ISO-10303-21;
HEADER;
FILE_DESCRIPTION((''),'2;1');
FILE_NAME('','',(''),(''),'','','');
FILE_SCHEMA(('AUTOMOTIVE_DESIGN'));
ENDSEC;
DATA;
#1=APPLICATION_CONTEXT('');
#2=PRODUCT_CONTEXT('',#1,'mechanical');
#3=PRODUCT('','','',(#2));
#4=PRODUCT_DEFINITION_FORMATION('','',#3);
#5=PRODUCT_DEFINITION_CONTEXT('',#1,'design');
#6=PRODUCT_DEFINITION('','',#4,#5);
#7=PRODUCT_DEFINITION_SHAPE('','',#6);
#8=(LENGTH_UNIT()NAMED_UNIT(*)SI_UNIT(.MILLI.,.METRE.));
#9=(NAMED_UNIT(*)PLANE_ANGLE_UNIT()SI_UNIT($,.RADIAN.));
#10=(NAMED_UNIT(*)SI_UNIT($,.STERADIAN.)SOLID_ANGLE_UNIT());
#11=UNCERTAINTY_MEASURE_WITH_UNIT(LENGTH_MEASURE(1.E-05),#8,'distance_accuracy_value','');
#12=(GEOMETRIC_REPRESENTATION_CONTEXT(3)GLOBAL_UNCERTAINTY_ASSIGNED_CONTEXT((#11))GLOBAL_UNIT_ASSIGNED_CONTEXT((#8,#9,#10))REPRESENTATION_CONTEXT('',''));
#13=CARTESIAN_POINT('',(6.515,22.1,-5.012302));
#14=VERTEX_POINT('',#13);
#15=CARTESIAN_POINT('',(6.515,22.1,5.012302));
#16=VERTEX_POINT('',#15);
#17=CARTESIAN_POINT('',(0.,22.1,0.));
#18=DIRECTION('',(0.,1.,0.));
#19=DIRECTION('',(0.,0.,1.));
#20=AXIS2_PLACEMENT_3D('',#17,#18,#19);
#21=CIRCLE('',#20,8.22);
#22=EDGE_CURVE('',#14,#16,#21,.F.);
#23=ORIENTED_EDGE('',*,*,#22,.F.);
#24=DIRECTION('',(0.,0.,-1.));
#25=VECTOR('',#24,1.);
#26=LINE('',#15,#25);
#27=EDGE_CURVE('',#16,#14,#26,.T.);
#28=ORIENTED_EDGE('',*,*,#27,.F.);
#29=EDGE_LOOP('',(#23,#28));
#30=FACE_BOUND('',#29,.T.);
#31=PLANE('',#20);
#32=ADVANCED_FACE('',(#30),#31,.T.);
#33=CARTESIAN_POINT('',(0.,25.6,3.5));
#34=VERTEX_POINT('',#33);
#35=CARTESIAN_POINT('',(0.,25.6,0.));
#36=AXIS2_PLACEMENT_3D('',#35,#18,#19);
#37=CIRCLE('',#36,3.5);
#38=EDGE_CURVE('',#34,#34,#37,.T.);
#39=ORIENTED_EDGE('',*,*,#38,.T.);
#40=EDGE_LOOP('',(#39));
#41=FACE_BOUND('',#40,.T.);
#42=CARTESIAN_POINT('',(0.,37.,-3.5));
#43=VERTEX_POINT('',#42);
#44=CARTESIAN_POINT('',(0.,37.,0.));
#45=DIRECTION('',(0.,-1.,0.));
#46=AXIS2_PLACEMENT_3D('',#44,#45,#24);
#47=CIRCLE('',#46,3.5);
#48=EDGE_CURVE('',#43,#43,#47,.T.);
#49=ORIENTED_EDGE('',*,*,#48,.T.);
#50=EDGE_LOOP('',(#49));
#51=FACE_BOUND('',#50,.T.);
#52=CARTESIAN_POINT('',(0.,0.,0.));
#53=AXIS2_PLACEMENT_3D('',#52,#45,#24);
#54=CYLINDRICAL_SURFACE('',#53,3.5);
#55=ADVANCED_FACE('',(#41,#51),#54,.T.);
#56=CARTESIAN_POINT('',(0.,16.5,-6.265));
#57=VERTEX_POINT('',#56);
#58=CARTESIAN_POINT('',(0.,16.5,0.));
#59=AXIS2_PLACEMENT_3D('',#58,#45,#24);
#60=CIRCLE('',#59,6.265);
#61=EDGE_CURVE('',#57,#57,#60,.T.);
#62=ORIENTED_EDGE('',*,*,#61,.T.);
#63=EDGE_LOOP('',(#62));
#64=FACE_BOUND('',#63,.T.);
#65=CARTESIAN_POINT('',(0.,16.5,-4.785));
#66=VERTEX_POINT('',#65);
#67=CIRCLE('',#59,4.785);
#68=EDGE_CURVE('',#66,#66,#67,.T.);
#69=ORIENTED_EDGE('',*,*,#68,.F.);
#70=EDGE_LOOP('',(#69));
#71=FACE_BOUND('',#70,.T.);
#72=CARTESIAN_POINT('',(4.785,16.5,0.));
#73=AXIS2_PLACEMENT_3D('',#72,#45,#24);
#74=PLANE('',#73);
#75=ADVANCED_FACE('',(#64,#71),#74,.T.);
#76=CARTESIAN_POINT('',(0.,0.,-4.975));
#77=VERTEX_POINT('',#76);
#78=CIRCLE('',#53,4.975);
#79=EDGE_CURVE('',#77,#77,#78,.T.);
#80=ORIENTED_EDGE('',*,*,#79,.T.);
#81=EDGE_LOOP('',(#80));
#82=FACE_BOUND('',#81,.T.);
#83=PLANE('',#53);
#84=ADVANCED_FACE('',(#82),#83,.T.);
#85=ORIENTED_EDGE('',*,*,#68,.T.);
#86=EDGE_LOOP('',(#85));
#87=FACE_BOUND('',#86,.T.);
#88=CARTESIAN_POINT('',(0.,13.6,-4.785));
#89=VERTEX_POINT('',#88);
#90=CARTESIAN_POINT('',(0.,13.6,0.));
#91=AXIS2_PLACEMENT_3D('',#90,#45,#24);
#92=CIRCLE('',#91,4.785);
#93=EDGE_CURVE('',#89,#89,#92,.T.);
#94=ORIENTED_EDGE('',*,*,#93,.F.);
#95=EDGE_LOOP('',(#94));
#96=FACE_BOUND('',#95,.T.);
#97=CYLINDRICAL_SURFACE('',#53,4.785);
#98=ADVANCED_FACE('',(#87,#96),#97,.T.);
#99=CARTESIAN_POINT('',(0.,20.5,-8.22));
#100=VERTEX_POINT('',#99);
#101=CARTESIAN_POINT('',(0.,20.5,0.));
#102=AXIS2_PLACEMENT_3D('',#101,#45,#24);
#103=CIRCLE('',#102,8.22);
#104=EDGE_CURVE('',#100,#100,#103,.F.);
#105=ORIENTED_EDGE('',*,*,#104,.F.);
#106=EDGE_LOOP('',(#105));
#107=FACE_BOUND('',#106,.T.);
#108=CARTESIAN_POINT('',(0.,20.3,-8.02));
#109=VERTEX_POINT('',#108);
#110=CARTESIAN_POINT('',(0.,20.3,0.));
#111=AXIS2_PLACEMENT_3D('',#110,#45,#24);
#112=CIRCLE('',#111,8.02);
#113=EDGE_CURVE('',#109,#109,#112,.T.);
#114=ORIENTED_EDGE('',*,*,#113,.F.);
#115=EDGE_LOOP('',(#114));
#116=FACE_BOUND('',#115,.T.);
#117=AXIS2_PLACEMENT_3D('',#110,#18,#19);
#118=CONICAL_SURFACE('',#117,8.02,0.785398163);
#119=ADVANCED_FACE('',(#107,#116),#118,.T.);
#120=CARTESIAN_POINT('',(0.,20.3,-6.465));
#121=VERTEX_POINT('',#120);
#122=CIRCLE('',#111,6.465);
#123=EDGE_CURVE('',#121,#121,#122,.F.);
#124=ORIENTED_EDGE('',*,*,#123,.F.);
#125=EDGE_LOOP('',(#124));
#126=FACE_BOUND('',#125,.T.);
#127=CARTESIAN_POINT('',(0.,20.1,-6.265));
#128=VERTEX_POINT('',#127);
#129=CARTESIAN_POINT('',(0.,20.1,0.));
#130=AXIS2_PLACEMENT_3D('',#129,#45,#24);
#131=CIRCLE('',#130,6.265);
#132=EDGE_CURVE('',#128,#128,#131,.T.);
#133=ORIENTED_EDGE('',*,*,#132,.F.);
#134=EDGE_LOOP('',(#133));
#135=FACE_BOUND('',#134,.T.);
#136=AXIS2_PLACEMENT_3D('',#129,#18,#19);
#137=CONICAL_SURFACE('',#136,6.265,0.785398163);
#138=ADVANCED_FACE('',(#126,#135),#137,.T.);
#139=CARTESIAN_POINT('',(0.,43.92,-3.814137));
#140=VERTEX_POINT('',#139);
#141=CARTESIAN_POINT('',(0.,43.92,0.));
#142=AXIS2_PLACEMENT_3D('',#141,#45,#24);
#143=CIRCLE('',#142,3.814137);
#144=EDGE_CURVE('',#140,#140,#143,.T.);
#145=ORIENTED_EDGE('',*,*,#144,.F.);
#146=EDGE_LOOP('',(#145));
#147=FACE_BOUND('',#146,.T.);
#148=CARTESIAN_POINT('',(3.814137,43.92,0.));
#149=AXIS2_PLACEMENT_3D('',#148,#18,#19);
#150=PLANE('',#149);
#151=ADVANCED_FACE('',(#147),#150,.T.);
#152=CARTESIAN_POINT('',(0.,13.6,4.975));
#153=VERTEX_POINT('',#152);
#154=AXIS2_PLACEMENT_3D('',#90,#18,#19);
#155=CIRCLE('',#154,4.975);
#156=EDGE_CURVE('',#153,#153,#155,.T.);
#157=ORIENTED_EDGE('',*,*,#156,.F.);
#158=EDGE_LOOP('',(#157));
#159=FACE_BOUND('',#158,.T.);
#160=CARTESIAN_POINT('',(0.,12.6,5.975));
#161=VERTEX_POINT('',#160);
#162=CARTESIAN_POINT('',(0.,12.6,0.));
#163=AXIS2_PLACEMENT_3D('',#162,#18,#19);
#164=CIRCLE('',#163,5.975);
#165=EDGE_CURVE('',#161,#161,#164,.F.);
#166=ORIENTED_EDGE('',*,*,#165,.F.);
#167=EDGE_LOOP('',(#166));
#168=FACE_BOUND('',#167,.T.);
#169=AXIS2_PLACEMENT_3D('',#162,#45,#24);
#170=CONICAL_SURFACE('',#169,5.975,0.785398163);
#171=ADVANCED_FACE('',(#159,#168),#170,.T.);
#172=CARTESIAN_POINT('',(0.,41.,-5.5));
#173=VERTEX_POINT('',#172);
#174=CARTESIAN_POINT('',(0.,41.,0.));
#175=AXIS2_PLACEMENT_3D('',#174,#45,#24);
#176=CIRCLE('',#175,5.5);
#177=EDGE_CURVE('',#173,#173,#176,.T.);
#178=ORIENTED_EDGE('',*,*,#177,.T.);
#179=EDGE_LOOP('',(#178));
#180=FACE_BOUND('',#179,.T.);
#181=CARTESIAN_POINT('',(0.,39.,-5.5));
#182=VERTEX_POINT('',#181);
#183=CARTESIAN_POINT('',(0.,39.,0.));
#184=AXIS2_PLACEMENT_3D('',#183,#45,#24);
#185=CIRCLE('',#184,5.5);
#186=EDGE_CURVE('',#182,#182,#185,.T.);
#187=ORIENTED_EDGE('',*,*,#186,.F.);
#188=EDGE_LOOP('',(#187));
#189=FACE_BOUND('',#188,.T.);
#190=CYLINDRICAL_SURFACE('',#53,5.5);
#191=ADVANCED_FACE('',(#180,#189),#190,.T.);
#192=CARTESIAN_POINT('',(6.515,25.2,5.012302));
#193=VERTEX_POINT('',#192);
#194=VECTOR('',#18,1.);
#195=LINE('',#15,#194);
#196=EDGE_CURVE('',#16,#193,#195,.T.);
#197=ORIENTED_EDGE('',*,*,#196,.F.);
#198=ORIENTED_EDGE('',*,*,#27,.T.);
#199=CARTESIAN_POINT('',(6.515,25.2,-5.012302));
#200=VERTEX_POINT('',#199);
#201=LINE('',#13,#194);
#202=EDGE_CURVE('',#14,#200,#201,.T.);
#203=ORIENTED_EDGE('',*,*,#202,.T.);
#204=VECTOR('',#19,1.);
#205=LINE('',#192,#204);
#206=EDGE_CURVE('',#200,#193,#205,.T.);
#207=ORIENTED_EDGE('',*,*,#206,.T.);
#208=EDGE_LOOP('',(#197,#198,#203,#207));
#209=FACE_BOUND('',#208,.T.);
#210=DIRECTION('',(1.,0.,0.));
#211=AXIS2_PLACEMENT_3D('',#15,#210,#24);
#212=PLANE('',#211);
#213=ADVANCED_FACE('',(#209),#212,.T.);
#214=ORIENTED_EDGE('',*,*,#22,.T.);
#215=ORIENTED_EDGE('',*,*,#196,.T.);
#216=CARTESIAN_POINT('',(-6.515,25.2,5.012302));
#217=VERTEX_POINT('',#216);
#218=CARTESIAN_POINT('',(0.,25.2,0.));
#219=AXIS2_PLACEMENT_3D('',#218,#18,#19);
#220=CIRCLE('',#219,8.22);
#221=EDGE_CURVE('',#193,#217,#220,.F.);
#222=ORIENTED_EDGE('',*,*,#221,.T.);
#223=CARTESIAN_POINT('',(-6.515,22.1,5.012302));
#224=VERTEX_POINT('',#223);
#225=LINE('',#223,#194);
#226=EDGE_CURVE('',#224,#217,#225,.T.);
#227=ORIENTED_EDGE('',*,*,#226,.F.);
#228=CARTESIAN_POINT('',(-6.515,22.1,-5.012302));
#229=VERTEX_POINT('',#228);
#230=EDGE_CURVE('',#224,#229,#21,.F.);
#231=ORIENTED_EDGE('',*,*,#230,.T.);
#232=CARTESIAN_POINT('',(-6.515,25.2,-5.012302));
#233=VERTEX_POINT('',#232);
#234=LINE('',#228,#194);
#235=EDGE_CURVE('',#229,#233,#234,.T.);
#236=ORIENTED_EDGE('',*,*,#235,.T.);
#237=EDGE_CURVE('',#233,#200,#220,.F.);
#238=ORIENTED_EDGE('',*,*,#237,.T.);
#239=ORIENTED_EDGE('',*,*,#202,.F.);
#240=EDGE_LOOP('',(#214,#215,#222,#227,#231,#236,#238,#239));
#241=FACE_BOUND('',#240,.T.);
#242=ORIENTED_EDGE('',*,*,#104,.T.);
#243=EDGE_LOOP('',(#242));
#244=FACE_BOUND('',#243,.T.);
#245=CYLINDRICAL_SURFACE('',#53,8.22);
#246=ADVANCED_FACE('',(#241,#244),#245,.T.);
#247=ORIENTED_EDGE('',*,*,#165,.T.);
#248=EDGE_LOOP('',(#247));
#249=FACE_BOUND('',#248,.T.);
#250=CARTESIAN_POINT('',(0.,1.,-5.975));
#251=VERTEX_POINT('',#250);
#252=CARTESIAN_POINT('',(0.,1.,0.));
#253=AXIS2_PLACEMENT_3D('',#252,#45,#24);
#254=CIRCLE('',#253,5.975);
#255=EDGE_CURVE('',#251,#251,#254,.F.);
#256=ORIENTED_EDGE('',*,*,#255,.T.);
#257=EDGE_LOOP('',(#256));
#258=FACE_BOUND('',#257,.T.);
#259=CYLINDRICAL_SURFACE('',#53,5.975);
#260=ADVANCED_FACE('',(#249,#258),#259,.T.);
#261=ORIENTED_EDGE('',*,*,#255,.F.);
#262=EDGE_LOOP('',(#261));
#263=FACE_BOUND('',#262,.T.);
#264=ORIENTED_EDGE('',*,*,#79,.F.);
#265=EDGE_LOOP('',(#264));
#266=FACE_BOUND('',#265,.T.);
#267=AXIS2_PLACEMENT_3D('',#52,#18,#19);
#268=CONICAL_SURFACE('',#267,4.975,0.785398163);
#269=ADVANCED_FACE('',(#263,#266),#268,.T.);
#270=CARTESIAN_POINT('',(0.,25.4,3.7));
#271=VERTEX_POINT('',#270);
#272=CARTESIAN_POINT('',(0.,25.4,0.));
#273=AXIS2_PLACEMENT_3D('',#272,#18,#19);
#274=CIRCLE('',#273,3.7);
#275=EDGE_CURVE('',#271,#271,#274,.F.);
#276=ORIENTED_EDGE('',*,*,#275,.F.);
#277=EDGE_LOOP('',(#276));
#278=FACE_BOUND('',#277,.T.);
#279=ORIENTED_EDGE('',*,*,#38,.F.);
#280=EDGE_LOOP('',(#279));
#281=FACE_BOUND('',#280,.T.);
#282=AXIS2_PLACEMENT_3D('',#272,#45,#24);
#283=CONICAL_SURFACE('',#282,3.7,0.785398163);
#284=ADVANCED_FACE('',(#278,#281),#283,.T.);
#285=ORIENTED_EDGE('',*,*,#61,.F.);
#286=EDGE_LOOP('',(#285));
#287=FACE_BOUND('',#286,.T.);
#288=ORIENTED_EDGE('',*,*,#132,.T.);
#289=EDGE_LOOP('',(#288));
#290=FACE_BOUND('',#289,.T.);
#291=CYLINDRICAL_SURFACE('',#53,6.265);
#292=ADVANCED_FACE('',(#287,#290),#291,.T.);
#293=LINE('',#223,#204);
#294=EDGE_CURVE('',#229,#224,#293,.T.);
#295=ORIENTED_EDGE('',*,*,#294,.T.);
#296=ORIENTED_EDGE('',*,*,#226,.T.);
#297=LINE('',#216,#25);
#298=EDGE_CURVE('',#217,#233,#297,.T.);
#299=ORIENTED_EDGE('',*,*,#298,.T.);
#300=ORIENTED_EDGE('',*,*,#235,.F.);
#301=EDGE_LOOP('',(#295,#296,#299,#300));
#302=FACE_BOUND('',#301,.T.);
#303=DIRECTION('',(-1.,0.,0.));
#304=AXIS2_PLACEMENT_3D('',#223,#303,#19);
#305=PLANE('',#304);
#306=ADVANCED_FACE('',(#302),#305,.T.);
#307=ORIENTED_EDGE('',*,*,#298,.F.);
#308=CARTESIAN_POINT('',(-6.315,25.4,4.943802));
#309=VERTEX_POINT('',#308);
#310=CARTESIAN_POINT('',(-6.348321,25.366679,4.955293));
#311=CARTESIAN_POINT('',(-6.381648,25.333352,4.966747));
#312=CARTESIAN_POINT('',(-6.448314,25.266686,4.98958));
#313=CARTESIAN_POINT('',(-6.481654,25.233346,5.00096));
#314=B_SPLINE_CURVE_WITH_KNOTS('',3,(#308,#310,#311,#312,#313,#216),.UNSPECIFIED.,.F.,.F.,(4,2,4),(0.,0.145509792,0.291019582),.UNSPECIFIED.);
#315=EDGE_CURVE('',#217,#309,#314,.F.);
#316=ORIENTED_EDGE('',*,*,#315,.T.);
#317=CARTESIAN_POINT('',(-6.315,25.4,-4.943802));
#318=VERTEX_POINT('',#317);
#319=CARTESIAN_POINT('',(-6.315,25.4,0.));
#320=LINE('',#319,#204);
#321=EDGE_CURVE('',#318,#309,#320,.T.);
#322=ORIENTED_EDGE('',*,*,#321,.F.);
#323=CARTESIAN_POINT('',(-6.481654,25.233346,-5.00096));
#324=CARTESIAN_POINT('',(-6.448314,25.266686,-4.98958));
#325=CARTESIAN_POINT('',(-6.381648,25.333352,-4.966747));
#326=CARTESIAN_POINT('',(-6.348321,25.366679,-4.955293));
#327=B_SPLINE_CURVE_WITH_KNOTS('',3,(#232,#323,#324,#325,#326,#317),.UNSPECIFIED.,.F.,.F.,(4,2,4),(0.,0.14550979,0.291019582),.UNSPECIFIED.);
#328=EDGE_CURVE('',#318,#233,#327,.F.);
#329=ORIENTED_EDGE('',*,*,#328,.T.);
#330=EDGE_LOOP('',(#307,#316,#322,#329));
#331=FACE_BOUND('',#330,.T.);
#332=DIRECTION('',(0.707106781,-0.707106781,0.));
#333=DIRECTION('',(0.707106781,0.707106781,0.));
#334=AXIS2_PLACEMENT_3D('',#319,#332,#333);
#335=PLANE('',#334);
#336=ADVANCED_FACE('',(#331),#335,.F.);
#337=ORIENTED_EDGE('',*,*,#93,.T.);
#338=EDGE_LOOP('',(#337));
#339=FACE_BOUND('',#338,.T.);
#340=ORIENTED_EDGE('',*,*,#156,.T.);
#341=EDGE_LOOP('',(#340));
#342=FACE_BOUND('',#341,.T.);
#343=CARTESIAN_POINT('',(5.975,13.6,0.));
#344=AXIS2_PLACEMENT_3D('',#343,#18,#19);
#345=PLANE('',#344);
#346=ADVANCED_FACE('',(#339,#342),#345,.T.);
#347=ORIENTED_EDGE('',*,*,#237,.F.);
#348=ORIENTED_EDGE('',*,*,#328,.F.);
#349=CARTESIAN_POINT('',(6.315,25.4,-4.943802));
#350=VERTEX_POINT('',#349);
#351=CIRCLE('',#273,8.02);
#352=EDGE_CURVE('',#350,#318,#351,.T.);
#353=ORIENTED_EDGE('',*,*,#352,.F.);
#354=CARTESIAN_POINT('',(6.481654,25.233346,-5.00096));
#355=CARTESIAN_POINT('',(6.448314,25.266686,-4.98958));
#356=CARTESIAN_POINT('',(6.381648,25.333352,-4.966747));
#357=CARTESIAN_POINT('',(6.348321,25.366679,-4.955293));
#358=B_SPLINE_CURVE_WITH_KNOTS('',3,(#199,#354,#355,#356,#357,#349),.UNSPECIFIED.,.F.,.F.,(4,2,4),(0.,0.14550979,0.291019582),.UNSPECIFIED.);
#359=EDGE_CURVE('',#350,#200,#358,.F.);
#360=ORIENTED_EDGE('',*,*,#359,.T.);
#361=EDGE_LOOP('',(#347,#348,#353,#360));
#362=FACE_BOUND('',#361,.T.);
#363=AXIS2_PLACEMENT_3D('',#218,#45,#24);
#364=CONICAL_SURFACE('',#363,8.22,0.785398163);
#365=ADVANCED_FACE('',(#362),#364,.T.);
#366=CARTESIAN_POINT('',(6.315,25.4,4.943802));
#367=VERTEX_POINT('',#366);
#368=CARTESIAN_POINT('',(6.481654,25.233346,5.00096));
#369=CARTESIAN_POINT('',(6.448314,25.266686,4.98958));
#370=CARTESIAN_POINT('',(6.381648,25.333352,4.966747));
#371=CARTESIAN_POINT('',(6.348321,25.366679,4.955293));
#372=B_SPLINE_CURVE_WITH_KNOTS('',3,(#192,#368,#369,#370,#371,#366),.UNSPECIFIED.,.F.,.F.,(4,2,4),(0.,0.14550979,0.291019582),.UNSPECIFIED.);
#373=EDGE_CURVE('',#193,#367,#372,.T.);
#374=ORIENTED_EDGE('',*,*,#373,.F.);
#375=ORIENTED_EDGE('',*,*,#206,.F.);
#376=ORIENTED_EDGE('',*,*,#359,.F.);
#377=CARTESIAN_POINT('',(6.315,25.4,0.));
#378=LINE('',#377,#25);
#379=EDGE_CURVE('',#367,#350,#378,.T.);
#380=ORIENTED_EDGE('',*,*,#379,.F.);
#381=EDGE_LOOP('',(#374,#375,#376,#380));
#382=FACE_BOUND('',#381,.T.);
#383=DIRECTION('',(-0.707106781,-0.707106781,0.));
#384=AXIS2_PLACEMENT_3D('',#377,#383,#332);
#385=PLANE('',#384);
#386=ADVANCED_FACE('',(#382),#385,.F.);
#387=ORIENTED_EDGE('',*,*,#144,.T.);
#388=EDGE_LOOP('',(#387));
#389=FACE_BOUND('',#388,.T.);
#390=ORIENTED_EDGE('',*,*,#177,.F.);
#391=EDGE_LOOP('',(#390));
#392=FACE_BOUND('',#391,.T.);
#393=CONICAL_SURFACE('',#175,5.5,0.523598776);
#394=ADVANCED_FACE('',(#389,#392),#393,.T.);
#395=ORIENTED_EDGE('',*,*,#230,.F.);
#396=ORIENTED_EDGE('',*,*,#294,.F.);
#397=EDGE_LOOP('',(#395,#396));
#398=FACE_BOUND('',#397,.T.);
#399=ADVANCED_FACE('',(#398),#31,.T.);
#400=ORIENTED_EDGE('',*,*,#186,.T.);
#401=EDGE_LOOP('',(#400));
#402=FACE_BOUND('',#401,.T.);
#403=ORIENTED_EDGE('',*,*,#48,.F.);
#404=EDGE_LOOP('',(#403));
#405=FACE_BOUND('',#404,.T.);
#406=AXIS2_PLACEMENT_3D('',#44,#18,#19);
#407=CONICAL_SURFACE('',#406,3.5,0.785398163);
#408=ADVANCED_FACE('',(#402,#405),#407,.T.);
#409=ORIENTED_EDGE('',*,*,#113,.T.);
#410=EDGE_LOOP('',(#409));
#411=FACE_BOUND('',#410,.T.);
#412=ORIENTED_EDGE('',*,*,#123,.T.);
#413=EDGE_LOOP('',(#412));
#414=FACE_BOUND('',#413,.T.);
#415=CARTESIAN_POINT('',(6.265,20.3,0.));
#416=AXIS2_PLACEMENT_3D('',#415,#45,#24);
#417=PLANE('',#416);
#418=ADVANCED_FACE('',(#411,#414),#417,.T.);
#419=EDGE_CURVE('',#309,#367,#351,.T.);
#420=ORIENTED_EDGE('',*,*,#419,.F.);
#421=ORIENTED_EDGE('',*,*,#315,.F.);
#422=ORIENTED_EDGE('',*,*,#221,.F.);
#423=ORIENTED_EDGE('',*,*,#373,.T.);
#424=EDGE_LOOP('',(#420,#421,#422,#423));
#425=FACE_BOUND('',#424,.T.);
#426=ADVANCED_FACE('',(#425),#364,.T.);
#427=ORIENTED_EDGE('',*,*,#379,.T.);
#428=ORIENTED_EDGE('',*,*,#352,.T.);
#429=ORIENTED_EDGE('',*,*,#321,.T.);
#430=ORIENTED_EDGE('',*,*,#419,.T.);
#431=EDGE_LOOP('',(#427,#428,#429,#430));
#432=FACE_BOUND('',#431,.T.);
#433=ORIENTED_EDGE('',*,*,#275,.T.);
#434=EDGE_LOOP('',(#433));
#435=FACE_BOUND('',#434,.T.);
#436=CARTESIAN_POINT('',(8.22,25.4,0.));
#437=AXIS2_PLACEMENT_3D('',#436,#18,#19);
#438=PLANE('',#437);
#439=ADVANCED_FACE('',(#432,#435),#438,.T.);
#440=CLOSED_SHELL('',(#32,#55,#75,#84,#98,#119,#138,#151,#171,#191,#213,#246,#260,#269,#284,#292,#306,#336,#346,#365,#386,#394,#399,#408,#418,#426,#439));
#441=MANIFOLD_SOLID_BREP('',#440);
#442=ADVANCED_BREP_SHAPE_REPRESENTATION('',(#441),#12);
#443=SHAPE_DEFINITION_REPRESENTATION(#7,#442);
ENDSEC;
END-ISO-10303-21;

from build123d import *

# Parameters (mm, degrees)
CHAMFER1_SIZE      = 1
SKETCH2_OUTSIDE_W  = 28.378
SKETCH2_OUTSIDE_H  = 28.378
CUT_EXTRUDE1_DEPTH = 3.3
CHAMFER2_SIZE      = 0.2


with BuildPart() as part:
    # Sketch1 → Revolve1 (revolve)
    with BuildSketch(Plane.XY, mode=Mode.PRIVATE) as revolve1_sk:
        Polygon((0, 0), (5.975, 0), (5.975, 13.6), (4.785, 13.6), (4.785, 16.5), (6.265, 16.5), (6.265, 20.3), (8.22, 20.3), (8.22, 25.4), (3.5, 25.4), (3.5, 37), (5.5, 39), (5.5, 41), (3.814137214, 43.92), (0, 43.92), align=None)
    revolve(revolve1_sk.sketch.rotate(Axis((0, 0, 0), (0, 1, 0)), 90), axis=Axis((0, 0, 0), (0, 1, 0)))

    # Chamfer1
    chamfer1_edges = [part.edges().sort_by_distance(p)[0] for p in [
        (0, 13.6, 5.975),
        (0, 0, 5.975),
    ]]
    chamfer(chamfer1_edges, length=CHAMFER1_SIZE)

    # Sketch2 outside → Cut-Extrude1 (cut)
    with BuildSketch(Plane(origin=(0, 25.4, 0), x_dir=(1, 0, 0), z_dir=(0, 1, 0))):
        Rectangle(SKETCH2_OUTSIDE_W, SKETCH2_OUTSIDE_H)
        with BuildLine():
            Line((6.515, -5.012302365), (6.515, 5.012302365))
            ThreePointArc((6.515, 5.012302365), (0, 8.22), (-6.515, 5.012302365))
            Line((-6.515, 5.012302365), (-6.515, -5.012302365))
            ThreePointArc((-6.515, -5.012302365), (0, -8.22), (6.515, -5.012302365))
        make_face(mode=Mode.SUBTRACT)
    extrude(amount=-CUT_EXTRUDE1_DEPTH, mode=Mode.SUBTRACT)

    # Chamfer2
    chamfer2_edges = [part.edges().sort_by_distance(p)[0] for p in [
        (0, 25.4, 3.5),
        (0, 20.3, 8.22),
        (0, 20.3, 6.265),
        (0, 25.4, 8.22),
        (-3.630927881, 25.4, -7.374602547),
        (6.515, 25.4, 0),
        (-6.515, 25.4, 0),
    ]]
    chamfer(chamfer2_edges, length=CHAMFER2_SIZE)


solid = part.part
